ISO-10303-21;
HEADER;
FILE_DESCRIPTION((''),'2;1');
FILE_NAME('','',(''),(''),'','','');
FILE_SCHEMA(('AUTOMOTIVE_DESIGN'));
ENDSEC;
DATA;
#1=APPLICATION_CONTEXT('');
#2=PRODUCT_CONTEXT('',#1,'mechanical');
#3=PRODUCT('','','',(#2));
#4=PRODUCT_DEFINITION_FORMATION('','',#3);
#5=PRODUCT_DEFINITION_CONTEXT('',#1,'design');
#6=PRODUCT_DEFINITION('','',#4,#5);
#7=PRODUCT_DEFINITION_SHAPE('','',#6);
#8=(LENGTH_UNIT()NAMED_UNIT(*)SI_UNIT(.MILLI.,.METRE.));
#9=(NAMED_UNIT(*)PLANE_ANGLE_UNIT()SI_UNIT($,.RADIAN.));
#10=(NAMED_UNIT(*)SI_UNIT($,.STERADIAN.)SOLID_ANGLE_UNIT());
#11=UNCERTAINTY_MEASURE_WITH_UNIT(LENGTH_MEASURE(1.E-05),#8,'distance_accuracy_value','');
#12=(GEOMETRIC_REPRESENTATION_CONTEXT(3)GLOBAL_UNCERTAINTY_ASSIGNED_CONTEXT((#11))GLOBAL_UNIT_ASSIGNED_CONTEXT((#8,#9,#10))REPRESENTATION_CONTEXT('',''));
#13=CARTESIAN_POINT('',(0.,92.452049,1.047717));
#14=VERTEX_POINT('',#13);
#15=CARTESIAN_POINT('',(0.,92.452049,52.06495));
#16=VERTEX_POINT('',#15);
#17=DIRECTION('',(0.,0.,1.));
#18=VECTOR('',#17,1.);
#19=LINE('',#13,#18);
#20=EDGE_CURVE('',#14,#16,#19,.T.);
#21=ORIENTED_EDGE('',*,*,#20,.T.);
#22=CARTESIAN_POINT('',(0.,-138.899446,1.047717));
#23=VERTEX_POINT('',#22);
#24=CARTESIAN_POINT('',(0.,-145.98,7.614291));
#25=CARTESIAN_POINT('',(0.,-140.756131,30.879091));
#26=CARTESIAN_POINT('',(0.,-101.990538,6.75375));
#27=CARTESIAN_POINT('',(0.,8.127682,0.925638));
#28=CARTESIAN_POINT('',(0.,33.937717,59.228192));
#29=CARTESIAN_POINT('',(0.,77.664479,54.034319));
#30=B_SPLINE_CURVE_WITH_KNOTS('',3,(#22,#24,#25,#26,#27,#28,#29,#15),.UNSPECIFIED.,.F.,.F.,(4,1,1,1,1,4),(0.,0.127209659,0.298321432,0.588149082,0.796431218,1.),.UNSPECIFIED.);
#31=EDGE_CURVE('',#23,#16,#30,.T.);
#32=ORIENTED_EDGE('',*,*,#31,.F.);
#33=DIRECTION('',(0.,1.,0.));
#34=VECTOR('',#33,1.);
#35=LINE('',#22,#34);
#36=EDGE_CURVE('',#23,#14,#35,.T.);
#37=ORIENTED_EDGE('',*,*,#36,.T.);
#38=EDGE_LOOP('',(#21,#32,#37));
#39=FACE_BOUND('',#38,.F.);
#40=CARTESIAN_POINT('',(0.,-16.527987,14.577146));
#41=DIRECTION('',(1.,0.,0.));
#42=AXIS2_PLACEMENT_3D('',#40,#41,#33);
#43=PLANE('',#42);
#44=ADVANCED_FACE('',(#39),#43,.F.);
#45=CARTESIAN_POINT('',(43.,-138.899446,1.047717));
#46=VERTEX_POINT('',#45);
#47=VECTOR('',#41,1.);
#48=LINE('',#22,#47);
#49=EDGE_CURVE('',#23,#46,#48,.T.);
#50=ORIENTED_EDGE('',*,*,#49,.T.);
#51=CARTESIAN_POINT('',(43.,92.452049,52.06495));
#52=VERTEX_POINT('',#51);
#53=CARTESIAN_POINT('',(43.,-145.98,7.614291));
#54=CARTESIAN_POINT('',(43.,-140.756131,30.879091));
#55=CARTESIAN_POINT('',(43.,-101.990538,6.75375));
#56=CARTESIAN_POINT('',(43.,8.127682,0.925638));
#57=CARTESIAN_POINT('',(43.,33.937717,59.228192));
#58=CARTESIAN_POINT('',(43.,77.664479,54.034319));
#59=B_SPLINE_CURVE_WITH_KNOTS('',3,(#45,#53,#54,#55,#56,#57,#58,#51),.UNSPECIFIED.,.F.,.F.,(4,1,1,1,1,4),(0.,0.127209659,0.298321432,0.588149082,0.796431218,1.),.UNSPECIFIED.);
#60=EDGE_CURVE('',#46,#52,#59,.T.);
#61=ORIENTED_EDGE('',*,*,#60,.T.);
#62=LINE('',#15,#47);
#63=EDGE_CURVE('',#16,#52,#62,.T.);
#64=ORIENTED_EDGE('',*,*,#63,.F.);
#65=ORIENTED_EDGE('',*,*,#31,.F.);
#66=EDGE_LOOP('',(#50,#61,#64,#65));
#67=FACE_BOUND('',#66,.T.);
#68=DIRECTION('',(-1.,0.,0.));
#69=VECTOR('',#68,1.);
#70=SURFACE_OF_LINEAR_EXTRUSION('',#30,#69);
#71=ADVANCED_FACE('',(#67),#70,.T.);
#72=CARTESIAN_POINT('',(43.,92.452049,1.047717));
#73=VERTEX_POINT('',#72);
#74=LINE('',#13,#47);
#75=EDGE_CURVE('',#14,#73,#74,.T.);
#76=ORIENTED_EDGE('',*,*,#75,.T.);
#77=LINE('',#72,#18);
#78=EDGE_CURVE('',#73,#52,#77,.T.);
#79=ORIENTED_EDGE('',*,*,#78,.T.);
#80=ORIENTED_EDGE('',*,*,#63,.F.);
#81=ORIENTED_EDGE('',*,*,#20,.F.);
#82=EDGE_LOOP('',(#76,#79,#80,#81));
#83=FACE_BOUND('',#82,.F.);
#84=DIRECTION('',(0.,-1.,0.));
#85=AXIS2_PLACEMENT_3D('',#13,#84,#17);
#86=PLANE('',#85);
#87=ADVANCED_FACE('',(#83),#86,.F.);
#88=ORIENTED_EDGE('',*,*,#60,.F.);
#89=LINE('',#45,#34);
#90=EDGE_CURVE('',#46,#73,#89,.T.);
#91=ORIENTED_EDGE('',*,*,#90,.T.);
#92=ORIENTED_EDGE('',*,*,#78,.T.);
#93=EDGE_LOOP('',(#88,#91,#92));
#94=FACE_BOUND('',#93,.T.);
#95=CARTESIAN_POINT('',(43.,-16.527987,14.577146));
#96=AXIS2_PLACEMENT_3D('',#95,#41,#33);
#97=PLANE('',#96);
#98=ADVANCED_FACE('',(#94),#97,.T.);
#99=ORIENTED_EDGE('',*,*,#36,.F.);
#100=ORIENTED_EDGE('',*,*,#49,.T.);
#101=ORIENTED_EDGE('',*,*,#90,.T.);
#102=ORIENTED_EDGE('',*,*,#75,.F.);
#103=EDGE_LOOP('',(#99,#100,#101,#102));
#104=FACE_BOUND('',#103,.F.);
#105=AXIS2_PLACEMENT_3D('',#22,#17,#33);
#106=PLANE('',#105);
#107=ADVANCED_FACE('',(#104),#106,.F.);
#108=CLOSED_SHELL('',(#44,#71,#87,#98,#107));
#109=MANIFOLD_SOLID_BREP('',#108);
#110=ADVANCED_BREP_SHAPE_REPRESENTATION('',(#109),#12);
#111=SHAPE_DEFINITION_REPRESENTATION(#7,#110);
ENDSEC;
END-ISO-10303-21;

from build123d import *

# Parameters (mm, degrees)
F1_DEPTH = 43


with BuildPart() as f1:
    # F0 (on Right) → F1 (new body)
    with BuildSketch(Plane.YZ):
        with BuildLine():
            Line((92.4520492554, -19.9522830662), (92.4520492554, 31.0649499297))
            add(Edge.make_bspline(
                [(-138.8994455338, -19.9522830662), (-145.9800004959, -13.3857093751), (-140.7561306666, 9.8790907767), (-101.9905381102, -14.2462495254), (8.1276822509, -20.0743616757), (33.9377167577, 38.2281923388), (77.6644785508, 33.034319216), (92.4520492554, 31.0649499297)],
                knots=[0, 0, 0, 0, 0.1272096592, 0.2983214322, 0.5881490824, 0.7964312177, 1, 1, 1, 1], degree=3))
            Line((-138.8994455338, -19.9522830662), (92.4520492554, -19.9522830662))
        make_face()
    extrude(amount=F1_DEPTH)


with BuildPart() as f1_1:
    # F2: moved
    add(f1.part.moved(Location((0, 0, 21))))


with BuildPart() as f3_1:
    # F3: copy of F1
    add(f1_1.part)


solid = f1_1.part
